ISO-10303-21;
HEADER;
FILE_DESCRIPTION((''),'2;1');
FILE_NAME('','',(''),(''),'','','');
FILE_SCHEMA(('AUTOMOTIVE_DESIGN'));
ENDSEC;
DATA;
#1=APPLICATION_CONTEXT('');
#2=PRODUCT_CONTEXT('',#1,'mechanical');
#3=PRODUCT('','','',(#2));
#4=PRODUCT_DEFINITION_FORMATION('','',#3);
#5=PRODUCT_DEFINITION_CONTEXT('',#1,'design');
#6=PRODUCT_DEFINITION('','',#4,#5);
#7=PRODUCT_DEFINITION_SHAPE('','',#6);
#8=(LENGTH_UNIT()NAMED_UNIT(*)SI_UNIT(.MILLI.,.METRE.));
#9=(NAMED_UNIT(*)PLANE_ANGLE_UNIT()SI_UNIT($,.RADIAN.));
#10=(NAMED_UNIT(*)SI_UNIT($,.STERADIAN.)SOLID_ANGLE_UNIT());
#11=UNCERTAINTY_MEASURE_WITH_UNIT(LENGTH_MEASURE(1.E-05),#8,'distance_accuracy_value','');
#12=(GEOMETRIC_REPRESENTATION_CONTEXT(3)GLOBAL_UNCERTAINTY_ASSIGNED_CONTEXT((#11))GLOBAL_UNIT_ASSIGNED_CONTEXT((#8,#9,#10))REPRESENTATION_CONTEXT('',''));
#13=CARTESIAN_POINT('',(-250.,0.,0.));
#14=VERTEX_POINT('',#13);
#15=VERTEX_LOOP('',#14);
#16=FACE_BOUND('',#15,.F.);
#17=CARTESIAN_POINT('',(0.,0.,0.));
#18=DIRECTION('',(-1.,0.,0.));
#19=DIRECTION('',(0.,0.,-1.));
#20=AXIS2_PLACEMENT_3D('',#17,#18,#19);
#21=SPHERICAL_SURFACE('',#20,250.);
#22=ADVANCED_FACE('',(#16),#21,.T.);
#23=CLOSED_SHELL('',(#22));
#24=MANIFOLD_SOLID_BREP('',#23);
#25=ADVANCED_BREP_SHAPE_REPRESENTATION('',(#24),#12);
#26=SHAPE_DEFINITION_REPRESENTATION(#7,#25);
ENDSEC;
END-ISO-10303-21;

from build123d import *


with BuildPart() as part:
    # Esquisse1 → Révolution1 (revolve)
    with BuildSketch(Plane(origin=(0, 0, 0), x_dir=(1, 0, 0), z_dir=(0, 1, 0))):
        with BuildLine():
            Line((-250, 0), (250, 0))
            ThreePointArc((250, 0), (0, 250), (-250, 0))
        make_face()
    revolve(axis=Axis((-250, 0, 0), (1, 0, 0)))


solid = part.part
